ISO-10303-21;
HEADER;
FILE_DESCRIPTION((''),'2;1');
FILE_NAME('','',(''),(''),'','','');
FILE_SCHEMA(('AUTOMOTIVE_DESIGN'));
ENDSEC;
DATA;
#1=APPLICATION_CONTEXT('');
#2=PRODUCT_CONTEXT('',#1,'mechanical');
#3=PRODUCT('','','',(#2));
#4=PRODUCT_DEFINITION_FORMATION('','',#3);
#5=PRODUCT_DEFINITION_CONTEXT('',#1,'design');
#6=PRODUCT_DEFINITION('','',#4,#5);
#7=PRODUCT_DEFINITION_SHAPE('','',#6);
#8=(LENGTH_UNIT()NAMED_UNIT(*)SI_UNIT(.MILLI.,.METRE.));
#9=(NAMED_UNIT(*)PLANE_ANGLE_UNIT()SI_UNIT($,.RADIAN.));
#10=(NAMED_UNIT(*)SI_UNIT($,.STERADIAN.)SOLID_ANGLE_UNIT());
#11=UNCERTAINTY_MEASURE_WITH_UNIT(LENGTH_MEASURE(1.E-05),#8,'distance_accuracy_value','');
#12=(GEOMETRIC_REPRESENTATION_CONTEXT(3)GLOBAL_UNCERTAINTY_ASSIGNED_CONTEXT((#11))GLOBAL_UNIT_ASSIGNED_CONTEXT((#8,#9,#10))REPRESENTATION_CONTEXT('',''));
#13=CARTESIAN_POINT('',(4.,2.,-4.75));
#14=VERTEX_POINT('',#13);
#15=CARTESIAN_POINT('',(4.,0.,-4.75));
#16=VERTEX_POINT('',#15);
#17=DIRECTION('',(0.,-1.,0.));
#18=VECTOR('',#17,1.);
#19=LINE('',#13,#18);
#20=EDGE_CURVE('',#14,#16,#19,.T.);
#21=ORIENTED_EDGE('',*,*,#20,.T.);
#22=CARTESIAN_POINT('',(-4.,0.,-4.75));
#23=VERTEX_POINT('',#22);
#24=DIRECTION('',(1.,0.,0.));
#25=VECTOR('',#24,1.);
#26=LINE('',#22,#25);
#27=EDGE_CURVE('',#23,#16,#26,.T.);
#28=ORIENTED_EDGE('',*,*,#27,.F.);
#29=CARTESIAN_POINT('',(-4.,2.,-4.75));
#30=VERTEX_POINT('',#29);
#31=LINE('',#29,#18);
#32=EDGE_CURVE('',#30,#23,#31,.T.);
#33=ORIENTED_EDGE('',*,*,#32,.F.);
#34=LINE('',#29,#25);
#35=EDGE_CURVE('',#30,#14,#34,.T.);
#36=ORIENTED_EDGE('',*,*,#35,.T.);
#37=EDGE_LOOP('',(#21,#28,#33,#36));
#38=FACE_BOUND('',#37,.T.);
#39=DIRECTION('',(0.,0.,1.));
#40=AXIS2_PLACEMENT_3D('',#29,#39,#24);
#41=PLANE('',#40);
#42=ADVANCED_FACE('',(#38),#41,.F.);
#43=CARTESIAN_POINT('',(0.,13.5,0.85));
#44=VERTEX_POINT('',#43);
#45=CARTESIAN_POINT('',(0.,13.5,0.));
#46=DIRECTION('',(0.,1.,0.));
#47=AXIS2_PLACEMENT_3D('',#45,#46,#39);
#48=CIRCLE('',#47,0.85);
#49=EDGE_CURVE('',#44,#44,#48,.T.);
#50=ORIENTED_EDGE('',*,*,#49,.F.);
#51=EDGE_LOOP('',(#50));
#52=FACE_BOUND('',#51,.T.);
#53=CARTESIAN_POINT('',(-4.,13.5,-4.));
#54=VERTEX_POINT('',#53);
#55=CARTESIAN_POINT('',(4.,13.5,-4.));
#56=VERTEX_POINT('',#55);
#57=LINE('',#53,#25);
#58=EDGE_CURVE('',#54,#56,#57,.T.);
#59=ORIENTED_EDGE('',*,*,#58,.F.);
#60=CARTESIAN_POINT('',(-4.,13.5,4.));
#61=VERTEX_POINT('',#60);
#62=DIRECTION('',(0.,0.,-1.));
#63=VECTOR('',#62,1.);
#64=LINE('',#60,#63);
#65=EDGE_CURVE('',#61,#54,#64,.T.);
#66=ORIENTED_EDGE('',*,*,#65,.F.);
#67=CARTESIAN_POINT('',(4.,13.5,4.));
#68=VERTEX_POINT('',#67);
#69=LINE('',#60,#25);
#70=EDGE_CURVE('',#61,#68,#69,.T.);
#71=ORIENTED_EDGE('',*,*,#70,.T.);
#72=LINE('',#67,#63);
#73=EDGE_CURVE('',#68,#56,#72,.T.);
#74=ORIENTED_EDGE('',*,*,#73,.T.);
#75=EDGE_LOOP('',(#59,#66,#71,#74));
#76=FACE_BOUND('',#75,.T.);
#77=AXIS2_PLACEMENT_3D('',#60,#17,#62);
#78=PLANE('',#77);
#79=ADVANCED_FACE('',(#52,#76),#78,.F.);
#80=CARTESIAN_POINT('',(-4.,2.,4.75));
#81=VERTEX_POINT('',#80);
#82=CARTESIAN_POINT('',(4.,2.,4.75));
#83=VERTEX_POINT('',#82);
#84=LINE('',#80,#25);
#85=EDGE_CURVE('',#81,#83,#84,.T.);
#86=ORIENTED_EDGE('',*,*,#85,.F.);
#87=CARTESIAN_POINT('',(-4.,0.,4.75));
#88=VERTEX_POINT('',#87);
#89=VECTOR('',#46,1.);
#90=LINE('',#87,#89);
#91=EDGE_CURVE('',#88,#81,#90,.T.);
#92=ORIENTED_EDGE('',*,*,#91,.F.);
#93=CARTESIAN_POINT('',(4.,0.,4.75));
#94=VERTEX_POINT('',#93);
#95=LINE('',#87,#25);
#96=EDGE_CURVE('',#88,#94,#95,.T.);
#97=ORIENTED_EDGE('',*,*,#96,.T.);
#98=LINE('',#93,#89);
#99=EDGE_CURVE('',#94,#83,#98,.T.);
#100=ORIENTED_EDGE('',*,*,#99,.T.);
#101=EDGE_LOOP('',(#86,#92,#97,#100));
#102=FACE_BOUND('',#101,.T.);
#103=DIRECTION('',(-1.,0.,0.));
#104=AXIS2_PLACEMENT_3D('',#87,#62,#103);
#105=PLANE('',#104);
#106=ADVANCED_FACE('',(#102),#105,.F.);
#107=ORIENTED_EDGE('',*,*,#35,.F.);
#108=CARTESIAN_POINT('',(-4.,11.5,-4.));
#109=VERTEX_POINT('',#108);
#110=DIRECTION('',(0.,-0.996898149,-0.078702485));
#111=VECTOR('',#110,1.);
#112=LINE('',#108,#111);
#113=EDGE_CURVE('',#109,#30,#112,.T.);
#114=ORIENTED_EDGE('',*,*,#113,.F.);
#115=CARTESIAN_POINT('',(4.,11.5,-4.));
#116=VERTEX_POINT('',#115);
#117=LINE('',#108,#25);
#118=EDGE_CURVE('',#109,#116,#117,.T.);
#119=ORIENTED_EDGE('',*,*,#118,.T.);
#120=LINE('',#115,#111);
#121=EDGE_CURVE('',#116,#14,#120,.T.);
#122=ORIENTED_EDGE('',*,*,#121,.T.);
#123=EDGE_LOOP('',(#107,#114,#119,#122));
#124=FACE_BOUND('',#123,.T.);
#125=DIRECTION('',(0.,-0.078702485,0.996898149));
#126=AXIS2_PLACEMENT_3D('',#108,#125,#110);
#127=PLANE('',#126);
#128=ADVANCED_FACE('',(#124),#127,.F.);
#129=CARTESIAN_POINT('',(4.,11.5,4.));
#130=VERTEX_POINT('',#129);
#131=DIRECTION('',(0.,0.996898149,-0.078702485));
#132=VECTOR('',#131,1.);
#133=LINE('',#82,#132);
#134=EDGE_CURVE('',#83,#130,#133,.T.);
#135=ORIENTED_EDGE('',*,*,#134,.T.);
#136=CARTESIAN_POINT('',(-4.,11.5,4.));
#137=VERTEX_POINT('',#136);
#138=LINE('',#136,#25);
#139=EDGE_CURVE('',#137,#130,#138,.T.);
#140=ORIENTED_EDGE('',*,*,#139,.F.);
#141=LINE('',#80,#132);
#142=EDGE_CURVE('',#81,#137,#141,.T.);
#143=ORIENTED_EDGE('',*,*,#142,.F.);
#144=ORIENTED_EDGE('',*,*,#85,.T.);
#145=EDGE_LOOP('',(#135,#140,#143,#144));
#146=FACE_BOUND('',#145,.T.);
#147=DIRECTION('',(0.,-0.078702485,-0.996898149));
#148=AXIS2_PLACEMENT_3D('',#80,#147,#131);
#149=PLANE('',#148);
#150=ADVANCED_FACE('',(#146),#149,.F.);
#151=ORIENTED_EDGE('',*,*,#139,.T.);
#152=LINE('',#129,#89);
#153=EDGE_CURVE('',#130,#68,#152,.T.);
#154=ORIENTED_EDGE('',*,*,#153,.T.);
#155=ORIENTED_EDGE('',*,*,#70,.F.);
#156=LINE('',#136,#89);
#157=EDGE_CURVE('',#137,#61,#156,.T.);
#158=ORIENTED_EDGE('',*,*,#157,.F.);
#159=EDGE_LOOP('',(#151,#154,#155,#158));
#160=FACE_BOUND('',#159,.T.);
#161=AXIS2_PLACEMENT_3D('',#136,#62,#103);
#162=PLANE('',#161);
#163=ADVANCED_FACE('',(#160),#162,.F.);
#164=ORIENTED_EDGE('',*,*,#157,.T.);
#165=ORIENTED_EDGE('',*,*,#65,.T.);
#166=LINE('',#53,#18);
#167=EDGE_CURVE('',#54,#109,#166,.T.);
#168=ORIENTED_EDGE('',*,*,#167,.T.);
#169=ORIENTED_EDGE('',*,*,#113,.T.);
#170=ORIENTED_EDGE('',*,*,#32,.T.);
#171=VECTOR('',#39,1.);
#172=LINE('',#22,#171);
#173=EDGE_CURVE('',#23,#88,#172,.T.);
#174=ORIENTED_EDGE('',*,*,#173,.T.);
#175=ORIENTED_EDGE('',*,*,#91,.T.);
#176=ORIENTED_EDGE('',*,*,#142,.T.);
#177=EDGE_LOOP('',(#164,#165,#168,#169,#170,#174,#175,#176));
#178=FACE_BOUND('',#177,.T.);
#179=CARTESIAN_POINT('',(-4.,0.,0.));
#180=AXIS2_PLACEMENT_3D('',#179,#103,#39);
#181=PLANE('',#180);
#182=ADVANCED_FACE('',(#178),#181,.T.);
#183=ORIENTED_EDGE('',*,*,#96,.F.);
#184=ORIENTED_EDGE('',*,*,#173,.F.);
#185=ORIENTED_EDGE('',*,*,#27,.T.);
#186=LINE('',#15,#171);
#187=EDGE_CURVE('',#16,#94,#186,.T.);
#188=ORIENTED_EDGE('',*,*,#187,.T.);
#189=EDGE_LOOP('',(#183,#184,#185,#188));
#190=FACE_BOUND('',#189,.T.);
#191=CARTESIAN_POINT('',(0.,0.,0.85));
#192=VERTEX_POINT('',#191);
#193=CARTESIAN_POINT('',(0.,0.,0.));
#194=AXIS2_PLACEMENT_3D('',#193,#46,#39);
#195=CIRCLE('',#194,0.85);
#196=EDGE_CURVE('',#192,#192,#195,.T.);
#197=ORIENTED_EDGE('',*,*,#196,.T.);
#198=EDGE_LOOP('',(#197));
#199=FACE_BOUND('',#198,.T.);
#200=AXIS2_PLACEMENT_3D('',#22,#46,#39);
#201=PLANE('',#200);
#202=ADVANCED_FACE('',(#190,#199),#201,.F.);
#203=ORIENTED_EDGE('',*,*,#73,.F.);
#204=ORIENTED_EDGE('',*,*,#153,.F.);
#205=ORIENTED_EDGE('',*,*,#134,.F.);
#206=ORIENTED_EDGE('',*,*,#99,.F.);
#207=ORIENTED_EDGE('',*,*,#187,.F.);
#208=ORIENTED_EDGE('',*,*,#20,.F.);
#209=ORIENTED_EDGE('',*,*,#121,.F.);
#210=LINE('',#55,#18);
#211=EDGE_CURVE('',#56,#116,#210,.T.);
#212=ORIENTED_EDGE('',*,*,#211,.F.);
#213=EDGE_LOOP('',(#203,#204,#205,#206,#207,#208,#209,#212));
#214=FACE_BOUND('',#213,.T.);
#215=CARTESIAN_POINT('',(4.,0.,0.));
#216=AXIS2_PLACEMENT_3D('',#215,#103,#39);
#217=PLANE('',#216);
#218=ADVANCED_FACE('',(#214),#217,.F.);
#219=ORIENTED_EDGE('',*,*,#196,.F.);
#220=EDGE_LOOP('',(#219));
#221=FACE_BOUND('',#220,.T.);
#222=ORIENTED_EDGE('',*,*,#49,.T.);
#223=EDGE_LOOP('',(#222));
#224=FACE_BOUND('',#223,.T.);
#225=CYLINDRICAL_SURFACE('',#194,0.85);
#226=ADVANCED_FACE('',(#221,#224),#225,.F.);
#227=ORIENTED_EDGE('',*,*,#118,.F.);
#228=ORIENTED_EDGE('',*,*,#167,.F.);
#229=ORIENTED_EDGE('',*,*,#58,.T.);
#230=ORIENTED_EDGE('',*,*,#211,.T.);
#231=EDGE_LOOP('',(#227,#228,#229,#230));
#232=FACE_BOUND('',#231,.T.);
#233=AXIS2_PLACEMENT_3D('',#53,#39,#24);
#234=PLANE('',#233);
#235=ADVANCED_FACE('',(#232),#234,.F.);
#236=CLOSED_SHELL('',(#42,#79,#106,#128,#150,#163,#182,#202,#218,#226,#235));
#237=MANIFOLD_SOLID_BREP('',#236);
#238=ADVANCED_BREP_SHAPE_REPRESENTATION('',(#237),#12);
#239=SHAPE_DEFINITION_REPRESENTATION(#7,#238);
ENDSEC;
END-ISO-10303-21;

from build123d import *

# Parameters (mm, degrees)
BOSS_EXTRUDE3_DEPTH      = 4
BOSS_EXTRUDE3_DEPTH_BACK = 4
SKETCH11_R               = 0.85
CUT_EXTRUDE5_DEPTH       = 15.859761102


with BuildPart() as part:
    # Sketch6 → Boss-Extrude3 (new, two sides: drawn at the far end of the back side and taken through both)
    with BuildSketch(Plane.ZY.offset(-BOSS_EXTRUDE3_DEPTH_BACK)):
        Polygon((-4.75, 2), (-4.75, 0), (4.75, 0), (4.75, 2), (4, 11.5), (4, 13.5), (-4, 13.5), (-4, 11.5), align=None)
    extrude(amount=BOSS_EXTRUDE3_DEPTH + BOSS_EXTRUDE3_DEPTH_BACK)

    # Sketch11 → Cut-Extrude5 (cut, through all)
    with BuildSketch(Plane(origin=(0, 13.5, 0), x_dir=(1, 0, 0), z_dir=(0, 1, 0))):
        with Locations(Location((0, 0, 0), (0, 0, 270))):
            Circle(SKETCH11_R)
    extrude(amount=-CUT_EXTRUDE5_DEPTH, mode=Mode.SUBTRACT)


solid = part.part
